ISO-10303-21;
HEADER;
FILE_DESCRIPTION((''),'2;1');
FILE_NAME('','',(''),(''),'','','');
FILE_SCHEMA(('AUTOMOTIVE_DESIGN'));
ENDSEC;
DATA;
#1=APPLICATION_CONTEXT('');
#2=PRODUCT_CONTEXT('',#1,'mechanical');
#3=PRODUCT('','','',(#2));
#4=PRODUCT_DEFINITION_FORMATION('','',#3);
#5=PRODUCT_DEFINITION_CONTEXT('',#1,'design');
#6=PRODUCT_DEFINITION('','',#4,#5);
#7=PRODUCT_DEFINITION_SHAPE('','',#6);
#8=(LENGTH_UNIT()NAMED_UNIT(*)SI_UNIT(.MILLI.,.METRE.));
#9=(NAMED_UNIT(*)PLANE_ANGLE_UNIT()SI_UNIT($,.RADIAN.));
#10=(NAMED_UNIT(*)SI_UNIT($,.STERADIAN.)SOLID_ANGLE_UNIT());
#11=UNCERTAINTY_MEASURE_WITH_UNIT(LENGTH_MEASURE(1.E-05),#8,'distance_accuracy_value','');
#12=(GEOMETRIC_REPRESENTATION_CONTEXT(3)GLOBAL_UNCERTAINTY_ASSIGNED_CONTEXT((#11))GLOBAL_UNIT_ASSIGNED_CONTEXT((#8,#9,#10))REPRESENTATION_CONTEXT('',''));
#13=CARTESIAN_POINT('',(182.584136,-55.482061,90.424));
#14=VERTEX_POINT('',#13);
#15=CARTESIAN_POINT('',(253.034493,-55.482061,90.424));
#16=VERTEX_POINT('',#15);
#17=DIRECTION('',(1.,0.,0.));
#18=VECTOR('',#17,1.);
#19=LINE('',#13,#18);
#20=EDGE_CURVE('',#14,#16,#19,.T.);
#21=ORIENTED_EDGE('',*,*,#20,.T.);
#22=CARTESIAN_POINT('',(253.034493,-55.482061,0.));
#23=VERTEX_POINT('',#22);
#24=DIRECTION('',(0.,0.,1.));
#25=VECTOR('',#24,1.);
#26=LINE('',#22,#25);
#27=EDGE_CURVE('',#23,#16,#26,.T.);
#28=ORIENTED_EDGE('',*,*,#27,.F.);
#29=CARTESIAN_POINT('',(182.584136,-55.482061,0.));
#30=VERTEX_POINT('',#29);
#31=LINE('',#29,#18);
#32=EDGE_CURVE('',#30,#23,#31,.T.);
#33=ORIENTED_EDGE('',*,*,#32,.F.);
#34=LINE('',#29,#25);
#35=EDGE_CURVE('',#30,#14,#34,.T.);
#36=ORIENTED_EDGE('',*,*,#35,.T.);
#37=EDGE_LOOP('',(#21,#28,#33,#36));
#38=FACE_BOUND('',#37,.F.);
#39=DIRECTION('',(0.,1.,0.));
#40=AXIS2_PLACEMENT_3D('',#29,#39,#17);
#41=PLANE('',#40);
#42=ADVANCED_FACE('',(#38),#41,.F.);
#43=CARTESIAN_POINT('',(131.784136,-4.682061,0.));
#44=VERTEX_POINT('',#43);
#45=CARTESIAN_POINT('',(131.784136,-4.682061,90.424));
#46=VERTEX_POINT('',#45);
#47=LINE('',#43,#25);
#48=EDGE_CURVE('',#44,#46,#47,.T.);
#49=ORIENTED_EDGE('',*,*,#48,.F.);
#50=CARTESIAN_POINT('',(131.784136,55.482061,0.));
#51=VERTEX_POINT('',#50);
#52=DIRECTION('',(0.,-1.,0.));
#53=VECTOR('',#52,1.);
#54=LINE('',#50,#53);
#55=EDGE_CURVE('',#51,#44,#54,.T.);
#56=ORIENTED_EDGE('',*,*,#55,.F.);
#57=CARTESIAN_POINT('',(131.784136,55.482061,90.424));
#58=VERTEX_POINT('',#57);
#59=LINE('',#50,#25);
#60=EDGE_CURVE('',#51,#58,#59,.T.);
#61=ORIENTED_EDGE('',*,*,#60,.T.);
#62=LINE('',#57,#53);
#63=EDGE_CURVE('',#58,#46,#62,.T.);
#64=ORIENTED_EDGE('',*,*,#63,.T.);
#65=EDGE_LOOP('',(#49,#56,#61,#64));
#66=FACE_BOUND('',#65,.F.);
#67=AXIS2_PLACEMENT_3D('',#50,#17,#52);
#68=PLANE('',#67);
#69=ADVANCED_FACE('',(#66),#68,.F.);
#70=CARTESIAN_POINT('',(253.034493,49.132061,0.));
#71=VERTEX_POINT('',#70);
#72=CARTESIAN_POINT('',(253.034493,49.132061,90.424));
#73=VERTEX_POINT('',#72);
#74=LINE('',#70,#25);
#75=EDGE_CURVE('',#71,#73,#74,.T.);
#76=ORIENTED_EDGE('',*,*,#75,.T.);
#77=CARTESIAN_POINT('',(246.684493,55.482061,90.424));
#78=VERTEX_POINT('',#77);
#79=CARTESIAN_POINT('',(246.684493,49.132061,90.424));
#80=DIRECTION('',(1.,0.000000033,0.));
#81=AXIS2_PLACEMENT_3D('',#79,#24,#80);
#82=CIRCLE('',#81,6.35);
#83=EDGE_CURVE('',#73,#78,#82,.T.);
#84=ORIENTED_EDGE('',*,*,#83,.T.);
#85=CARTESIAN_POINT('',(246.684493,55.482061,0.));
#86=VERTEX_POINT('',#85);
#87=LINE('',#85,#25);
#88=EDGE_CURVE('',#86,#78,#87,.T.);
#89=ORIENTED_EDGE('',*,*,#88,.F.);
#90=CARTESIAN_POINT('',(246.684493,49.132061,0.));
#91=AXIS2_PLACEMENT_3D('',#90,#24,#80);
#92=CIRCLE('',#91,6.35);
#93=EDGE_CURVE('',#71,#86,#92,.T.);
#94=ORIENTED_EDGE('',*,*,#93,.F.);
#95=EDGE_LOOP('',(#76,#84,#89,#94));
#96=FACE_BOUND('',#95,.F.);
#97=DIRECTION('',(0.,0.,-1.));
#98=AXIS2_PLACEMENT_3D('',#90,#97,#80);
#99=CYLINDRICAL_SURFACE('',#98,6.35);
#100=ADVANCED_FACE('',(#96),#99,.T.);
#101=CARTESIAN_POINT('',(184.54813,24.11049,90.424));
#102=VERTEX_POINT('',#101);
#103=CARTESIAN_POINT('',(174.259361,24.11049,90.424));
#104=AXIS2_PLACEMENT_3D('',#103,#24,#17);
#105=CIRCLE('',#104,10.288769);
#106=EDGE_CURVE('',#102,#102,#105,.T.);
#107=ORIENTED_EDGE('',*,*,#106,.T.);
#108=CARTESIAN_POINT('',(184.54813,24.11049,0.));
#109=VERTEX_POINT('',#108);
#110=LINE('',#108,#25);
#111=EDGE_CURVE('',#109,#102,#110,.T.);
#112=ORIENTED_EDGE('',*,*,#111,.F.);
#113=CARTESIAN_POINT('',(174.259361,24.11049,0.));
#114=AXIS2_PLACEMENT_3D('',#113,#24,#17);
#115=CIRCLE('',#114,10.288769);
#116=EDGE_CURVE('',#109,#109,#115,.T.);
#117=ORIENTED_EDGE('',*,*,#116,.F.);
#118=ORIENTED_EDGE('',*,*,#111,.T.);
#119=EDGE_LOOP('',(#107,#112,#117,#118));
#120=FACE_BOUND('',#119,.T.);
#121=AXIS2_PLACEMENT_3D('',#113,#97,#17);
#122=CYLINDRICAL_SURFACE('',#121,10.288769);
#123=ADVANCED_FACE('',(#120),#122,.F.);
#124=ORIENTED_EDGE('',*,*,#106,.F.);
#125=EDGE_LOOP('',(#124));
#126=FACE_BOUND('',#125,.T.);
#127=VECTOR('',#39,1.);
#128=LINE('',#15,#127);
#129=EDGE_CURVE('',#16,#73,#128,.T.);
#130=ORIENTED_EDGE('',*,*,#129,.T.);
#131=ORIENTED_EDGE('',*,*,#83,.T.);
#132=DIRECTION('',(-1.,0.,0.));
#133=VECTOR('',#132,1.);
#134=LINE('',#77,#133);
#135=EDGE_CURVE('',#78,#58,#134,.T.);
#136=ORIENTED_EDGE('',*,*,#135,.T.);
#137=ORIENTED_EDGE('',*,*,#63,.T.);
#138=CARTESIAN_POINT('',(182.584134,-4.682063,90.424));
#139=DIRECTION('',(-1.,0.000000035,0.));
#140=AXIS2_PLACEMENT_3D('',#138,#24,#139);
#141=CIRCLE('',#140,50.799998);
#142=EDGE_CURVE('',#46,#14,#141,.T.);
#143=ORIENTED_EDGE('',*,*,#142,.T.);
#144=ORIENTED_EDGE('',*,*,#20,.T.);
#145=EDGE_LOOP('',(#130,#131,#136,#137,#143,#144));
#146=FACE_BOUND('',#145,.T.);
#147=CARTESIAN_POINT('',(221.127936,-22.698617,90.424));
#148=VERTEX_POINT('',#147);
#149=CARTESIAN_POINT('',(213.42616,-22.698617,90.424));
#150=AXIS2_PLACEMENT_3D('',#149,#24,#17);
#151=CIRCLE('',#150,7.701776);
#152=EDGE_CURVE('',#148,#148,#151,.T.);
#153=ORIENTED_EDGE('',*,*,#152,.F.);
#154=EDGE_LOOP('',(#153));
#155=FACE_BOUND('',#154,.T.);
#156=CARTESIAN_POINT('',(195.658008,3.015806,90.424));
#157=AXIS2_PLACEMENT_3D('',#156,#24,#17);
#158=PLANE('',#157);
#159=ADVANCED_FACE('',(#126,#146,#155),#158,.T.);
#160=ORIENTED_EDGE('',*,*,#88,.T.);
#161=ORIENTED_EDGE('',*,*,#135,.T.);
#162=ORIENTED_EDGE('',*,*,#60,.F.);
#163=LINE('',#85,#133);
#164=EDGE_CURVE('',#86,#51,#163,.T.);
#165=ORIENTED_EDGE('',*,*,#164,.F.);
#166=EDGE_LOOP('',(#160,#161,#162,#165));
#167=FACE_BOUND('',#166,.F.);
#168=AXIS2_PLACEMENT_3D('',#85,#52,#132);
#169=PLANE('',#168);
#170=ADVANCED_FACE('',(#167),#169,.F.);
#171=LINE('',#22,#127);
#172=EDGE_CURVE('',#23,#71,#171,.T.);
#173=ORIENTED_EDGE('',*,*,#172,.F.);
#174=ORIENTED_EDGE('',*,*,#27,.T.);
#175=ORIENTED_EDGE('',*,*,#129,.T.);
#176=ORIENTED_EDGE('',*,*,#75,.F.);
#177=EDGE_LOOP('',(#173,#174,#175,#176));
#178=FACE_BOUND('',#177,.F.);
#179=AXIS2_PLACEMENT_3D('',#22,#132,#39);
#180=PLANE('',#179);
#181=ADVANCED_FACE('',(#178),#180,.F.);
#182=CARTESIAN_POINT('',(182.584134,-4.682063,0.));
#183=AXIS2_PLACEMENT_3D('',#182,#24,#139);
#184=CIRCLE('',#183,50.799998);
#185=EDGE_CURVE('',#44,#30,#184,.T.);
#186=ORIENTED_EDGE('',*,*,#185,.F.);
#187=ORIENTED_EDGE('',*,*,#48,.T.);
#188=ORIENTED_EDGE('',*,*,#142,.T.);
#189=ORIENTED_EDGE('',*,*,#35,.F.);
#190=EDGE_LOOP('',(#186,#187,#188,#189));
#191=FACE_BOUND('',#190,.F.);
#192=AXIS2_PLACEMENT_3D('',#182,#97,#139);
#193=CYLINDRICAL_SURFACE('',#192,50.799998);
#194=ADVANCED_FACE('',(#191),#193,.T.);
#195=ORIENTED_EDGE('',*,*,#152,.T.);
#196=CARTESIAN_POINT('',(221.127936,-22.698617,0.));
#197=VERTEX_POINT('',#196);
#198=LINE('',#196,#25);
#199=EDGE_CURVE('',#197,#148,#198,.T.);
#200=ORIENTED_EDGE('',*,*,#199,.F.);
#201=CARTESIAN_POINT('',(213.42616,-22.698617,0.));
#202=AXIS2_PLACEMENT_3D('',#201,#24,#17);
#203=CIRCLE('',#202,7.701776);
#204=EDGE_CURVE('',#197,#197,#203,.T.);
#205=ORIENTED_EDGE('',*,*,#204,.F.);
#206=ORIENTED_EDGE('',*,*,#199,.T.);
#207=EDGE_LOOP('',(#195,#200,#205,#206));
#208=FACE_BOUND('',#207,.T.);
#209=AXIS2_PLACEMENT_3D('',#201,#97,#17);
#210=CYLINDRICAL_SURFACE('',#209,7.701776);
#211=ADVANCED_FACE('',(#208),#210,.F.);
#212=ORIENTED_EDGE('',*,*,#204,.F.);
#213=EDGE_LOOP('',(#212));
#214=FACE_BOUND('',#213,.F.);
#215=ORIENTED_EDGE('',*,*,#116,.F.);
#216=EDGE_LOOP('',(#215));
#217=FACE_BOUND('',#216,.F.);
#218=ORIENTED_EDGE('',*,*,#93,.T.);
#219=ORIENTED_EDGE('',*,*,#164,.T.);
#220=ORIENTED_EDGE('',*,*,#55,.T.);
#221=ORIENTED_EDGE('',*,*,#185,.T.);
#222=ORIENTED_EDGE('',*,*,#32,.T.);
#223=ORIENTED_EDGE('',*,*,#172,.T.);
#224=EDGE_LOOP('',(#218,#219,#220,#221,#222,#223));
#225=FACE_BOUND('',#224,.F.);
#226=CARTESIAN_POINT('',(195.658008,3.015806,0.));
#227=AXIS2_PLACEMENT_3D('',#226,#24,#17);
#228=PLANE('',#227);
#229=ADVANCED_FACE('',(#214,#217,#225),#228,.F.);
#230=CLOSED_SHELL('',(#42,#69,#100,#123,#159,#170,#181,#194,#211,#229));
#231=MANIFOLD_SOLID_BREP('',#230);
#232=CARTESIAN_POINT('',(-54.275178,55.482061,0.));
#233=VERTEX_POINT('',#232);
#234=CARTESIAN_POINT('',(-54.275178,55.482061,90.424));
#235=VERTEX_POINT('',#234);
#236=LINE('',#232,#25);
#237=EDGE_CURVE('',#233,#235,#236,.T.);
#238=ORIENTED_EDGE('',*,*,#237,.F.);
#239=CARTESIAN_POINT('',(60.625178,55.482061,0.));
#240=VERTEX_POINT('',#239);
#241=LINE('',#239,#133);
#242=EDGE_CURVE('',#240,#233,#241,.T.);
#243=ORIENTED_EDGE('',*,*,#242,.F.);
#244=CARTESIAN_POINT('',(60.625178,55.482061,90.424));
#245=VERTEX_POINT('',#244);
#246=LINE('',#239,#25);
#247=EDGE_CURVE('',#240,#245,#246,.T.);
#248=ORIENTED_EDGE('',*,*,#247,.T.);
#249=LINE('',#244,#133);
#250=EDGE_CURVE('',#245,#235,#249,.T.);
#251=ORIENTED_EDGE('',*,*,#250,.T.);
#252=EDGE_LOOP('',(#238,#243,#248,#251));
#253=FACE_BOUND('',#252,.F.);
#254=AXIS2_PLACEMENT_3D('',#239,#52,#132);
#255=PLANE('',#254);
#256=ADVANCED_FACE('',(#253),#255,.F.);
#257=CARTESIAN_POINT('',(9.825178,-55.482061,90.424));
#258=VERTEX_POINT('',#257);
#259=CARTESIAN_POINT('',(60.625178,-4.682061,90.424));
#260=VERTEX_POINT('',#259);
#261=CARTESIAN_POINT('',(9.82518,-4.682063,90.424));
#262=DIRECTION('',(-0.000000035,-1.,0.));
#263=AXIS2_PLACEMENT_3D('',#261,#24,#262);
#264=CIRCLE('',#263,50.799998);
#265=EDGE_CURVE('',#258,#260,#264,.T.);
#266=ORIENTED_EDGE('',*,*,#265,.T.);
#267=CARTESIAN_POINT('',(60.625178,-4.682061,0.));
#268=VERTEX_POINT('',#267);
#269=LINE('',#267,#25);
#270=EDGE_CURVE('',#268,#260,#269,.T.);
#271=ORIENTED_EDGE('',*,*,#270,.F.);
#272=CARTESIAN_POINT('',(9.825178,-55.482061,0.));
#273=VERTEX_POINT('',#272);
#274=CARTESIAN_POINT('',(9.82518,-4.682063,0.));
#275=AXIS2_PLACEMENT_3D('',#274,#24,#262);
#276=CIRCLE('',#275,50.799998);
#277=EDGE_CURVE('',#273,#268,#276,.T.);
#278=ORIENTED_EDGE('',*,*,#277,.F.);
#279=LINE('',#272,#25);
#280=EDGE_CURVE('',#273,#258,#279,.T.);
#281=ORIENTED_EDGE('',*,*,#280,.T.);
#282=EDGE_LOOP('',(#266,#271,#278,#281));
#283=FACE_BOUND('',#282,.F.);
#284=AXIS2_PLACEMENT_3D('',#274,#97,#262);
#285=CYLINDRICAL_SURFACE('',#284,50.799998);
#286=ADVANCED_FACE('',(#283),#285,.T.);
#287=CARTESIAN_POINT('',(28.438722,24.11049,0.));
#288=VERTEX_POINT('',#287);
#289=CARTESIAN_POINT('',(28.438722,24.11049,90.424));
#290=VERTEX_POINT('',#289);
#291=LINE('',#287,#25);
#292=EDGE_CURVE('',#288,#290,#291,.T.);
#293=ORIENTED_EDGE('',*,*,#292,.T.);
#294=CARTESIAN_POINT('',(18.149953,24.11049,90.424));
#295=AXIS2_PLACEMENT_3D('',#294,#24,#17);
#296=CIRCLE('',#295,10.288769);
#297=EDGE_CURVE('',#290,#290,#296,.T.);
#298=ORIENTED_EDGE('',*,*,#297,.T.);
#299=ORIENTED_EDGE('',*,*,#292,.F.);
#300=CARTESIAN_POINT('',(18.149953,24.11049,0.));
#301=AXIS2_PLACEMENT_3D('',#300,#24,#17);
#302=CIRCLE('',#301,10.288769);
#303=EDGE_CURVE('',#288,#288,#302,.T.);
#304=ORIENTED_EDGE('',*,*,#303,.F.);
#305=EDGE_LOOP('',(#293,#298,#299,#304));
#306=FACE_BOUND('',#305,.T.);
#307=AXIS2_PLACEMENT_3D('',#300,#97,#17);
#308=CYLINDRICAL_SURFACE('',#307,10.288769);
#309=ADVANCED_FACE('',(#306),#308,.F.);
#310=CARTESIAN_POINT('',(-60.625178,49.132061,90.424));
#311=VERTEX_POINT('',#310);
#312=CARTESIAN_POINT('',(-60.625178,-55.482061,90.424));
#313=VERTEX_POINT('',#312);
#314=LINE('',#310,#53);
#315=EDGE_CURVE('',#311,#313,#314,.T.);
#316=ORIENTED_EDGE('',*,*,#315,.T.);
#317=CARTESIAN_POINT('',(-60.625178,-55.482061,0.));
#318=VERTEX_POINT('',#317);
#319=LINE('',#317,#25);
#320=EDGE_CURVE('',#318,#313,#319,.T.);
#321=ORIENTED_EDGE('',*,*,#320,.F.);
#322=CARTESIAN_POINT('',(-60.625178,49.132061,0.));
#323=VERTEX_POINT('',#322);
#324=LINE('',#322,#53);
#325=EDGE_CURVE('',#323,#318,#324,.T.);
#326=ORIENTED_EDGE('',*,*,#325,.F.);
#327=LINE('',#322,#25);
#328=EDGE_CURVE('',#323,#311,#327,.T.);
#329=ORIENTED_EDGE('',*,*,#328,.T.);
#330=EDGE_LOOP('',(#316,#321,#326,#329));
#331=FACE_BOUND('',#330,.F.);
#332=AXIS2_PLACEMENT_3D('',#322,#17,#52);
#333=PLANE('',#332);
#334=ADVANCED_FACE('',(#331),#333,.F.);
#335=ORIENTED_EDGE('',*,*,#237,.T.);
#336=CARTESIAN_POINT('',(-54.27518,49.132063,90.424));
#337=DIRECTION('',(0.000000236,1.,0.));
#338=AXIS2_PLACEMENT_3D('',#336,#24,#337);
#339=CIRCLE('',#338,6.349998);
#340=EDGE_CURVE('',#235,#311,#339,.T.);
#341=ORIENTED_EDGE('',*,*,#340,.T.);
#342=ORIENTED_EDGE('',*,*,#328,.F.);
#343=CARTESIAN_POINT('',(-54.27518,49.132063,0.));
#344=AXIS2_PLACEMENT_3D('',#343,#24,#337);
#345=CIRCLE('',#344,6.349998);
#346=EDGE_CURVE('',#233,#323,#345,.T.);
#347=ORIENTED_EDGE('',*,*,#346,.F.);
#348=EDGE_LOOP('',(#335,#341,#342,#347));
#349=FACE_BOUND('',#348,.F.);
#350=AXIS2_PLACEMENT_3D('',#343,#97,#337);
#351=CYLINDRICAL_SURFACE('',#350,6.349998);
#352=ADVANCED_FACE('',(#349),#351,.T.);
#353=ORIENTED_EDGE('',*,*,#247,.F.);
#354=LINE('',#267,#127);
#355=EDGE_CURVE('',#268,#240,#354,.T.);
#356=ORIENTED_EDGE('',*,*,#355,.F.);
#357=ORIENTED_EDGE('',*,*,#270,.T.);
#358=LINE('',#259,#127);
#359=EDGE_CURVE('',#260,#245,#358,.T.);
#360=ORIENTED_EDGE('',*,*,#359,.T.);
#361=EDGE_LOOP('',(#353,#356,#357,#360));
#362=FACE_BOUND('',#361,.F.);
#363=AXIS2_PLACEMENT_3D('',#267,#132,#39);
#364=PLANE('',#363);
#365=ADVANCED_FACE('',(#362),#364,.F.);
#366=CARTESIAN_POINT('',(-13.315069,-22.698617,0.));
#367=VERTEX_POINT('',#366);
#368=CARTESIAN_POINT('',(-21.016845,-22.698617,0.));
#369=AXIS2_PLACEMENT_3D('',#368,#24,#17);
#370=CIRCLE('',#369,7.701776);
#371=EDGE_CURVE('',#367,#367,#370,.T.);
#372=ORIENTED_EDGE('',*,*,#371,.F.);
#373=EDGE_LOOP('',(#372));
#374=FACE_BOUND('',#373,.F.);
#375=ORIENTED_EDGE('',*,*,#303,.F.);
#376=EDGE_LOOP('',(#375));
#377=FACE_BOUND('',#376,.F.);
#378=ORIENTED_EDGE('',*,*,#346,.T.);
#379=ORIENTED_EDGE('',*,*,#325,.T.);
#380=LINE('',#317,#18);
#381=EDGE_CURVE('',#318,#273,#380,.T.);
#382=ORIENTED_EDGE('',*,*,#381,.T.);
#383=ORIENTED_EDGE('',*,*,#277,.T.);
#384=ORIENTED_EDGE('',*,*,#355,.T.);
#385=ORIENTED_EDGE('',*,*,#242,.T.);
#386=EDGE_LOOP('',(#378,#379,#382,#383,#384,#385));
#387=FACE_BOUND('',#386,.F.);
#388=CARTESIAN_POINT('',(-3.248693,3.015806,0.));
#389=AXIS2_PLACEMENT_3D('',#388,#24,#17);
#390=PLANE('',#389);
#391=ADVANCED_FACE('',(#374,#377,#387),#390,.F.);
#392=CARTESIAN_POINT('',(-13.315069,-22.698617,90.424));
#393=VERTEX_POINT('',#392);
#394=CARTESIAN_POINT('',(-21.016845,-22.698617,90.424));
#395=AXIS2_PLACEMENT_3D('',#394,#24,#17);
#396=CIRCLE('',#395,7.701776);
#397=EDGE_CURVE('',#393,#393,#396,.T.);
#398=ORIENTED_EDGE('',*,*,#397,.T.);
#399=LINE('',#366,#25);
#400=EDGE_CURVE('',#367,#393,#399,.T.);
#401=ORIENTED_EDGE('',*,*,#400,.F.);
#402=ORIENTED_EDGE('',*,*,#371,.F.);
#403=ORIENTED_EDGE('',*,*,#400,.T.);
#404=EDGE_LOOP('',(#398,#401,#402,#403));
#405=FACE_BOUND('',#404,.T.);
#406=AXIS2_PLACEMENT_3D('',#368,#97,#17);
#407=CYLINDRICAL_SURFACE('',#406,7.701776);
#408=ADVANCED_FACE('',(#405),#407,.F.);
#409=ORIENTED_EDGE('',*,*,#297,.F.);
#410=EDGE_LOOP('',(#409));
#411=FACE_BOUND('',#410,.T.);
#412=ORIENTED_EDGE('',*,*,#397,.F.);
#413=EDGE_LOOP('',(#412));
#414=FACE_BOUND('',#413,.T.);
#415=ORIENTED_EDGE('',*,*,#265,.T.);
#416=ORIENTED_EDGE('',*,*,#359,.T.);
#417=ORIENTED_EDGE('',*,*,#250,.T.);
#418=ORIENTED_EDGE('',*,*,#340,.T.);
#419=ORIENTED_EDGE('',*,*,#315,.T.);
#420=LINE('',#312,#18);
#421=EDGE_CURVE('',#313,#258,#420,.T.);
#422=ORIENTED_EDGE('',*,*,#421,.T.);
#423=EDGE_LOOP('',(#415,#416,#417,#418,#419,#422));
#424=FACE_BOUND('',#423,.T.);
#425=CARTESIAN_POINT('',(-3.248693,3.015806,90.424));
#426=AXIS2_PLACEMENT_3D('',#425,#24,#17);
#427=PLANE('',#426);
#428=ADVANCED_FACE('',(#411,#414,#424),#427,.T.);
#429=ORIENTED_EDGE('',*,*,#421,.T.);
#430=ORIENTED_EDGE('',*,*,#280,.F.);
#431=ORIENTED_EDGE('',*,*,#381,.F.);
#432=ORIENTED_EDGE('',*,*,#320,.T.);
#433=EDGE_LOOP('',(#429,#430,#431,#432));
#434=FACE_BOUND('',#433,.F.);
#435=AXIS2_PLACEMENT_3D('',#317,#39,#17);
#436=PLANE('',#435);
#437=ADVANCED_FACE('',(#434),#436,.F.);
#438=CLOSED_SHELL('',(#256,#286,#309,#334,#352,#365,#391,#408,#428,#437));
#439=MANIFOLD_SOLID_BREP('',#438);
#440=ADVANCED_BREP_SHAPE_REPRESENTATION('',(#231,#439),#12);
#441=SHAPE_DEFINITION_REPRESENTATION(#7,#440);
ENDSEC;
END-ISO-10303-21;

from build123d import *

# Parameters (mm, degrees)
F0_R     = 7.701776
F0_R_2   = 10.288769
F1_DEPTH = 90.424


with BuildPart() as f1:
    # F0 (on Top) → F1 (new body)
    with BuildSketch(Plane.XY):
        with BuildLine():
            ThreePointArc((131.784136, -4.682061), (146.663111, -40.603086), (182.584136, -55.482061))
            Line((182.584136, -55.482061), (253.034493, -55.482061))
            Line((253.034493, -55.482061), (253.034493, 49.132061))
            ThreePointArc((253.034493, 49.132061), (251.174621, 53.622189), (246.684493, 55.482061))
            Line((246.684493, 55.482061), (131.784136, 55.482061))
            Line((131.784136, 55.482061), (131.784136, -4.682061))
        make_face()
        with Locations((213.42616, -22.698617)):
            Circle(F0_R, mode=Mode.SUBTRACT)
        with Locations((174.259361, 24.11049)):
            Circle(F0_R_2, mode=Mode.SUBTRACT)
        with BuildLine():
            Line((-60.625178, -55.482061), (9.825178, -55.482061))
            ThreePointArc((9.825178, -55.482061), (45.746203, -40.603086), (60.625178, -4.682061))
            Line((60.625178, -4.682061), (60.625178, 55.482061))
            Line((60.625178, 55.482061), (-54.275178, 55.482061))
            ThreePointArc((-54.275178, 55.482061), (-58.765307, 53.622189), (-60.625178, 49.132061))
            Line((-60.625178, 49.132061), (-60.625178, -55.482061))
        make_face()
        with Locations((-21.016845, -22.698617)):
            Circle(F0_R, mode=Mode.SUBTRACT)
        with Locations((18.149953, 24.11049)):
            Circle(F0_R_2, mode=Mode.SUBTRACT)
    extrude(amount=F1_DEPTH)


solid = f1.part
